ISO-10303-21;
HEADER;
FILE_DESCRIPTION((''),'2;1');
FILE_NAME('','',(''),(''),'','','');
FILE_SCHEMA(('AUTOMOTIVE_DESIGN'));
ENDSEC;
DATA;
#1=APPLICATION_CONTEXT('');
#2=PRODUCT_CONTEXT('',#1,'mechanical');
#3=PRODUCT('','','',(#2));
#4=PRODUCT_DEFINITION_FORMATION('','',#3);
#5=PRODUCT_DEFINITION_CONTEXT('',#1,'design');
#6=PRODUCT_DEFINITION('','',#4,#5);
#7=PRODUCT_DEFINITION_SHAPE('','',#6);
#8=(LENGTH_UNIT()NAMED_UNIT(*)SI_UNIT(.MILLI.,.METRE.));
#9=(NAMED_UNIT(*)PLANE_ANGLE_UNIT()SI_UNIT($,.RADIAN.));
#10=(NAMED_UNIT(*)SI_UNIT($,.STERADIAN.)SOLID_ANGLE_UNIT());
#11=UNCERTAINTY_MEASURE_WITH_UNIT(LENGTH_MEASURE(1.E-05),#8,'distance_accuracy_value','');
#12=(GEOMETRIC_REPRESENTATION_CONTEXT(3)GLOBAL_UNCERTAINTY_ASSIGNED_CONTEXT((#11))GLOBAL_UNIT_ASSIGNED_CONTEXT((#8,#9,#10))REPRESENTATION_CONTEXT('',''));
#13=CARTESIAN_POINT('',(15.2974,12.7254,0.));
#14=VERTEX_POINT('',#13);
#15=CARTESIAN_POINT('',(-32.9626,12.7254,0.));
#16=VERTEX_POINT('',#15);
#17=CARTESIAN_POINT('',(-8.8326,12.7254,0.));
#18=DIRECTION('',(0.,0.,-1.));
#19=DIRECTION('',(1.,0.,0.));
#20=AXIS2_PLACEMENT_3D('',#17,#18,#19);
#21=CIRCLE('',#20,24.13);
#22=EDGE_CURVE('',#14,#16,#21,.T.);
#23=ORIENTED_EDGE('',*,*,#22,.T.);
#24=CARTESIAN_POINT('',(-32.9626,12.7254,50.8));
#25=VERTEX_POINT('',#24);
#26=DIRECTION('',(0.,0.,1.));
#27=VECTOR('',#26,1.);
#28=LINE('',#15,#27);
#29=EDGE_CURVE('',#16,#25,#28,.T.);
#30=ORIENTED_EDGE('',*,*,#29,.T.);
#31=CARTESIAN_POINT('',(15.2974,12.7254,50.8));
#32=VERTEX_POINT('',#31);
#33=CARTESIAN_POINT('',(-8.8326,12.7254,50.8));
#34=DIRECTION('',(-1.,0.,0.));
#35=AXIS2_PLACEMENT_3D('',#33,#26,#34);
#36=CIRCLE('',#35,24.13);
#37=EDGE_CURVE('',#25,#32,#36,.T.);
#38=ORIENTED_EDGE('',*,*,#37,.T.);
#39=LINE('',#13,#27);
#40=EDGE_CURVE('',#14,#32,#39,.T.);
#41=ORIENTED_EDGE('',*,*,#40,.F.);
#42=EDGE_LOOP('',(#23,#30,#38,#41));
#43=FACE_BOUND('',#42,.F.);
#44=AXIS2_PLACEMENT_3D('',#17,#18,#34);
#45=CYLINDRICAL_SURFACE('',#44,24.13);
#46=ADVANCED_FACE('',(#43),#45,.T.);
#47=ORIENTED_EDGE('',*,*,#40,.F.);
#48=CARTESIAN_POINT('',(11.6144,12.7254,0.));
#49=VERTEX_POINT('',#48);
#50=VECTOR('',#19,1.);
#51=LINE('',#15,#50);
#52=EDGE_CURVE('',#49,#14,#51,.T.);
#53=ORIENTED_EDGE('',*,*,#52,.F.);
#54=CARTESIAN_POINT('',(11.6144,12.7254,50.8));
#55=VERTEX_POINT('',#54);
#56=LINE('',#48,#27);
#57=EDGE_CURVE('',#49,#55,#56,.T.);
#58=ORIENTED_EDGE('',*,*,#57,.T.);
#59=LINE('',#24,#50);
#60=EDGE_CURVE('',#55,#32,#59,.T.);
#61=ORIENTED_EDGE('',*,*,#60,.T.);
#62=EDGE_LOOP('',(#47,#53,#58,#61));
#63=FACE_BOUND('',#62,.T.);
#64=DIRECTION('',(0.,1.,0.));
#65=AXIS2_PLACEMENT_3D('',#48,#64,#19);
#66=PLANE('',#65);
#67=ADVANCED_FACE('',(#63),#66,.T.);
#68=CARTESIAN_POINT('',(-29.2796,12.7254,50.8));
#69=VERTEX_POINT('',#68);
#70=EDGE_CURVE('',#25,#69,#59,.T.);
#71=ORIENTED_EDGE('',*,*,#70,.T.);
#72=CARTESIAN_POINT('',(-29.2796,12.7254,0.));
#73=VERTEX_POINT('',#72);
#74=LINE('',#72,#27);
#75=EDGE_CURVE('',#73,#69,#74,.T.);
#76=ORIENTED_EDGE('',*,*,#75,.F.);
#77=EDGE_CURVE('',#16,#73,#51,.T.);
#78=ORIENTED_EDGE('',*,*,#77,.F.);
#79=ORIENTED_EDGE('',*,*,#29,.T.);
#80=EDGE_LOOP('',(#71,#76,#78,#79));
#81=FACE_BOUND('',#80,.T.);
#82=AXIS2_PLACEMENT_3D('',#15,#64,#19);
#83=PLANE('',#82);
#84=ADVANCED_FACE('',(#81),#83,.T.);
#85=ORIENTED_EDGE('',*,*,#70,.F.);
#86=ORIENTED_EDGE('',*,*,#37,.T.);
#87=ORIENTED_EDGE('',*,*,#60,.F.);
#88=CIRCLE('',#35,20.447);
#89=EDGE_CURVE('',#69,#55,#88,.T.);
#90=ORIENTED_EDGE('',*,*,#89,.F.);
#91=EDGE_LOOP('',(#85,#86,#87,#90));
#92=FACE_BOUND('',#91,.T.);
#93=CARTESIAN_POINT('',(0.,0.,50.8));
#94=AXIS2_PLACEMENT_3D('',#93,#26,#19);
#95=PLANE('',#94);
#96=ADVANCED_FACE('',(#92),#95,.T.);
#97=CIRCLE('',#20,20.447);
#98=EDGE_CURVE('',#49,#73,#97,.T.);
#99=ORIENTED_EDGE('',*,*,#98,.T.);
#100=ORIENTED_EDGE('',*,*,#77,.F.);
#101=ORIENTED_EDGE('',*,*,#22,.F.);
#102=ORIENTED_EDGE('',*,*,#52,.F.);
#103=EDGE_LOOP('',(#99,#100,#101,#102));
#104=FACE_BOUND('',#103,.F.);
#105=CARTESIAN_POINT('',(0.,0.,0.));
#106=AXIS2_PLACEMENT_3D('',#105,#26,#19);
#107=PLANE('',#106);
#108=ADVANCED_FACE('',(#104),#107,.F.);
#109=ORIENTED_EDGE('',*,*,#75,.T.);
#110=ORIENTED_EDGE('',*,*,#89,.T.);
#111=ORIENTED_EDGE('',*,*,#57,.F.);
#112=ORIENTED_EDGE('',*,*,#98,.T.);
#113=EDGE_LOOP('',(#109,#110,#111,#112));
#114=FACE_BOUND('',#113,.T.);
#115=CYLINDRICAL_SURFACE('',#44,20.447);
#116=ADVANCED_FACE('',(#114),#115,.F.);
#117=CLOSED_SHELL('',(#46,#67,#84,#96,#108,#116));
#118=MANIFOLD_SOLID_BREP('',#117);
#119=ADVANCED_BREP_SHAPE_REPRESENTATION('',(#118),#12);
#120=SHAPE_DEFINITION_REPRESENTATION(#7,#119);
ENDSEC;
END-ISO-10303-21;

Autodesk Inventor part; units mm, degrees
ref_plane "YZ Plane" through (0, 0, 0) normal (1, 0, 0) x (0, 1, 0)
ref_plane "XZ Plane" through (0, 0, 0) normal (0, 1, 0) x (-1, 0, 0)
ref_plane "XY Plane" through (0, 0, 0) normal (0, 0, 1) x (1, 0, 0)
sketch "Sketch1" plane through (0, 0, 0) normal (0, 0, 1) x (1, 0, 0)
  arc A0 (-29.2796, 12.7254) -> (11.6144, 12.7254) centre (-8.8326, 12.7254) ccw
  arc A1 (-32.9626, 12.7254) -> (15.2974, 12.7254) centre (-8.8326, 12.7254) ccw
  line L0 (-8.8326, 12.7254) -> (-8.8326, -11.4046)
  line L1 (-32.9626, 12.7254) -> (15.2974, 12.7254)
  dimension "d0" = 40.894
  dimension "d1" = 48.26
  dimension "d4" = 24.13
extrude "Extrusion1" add sketch "Sketch1" along normal blind 50.8 contours A0 L0 A1 L1 | A0 L1 A1 L0
properties part number "FE-00013-01"
